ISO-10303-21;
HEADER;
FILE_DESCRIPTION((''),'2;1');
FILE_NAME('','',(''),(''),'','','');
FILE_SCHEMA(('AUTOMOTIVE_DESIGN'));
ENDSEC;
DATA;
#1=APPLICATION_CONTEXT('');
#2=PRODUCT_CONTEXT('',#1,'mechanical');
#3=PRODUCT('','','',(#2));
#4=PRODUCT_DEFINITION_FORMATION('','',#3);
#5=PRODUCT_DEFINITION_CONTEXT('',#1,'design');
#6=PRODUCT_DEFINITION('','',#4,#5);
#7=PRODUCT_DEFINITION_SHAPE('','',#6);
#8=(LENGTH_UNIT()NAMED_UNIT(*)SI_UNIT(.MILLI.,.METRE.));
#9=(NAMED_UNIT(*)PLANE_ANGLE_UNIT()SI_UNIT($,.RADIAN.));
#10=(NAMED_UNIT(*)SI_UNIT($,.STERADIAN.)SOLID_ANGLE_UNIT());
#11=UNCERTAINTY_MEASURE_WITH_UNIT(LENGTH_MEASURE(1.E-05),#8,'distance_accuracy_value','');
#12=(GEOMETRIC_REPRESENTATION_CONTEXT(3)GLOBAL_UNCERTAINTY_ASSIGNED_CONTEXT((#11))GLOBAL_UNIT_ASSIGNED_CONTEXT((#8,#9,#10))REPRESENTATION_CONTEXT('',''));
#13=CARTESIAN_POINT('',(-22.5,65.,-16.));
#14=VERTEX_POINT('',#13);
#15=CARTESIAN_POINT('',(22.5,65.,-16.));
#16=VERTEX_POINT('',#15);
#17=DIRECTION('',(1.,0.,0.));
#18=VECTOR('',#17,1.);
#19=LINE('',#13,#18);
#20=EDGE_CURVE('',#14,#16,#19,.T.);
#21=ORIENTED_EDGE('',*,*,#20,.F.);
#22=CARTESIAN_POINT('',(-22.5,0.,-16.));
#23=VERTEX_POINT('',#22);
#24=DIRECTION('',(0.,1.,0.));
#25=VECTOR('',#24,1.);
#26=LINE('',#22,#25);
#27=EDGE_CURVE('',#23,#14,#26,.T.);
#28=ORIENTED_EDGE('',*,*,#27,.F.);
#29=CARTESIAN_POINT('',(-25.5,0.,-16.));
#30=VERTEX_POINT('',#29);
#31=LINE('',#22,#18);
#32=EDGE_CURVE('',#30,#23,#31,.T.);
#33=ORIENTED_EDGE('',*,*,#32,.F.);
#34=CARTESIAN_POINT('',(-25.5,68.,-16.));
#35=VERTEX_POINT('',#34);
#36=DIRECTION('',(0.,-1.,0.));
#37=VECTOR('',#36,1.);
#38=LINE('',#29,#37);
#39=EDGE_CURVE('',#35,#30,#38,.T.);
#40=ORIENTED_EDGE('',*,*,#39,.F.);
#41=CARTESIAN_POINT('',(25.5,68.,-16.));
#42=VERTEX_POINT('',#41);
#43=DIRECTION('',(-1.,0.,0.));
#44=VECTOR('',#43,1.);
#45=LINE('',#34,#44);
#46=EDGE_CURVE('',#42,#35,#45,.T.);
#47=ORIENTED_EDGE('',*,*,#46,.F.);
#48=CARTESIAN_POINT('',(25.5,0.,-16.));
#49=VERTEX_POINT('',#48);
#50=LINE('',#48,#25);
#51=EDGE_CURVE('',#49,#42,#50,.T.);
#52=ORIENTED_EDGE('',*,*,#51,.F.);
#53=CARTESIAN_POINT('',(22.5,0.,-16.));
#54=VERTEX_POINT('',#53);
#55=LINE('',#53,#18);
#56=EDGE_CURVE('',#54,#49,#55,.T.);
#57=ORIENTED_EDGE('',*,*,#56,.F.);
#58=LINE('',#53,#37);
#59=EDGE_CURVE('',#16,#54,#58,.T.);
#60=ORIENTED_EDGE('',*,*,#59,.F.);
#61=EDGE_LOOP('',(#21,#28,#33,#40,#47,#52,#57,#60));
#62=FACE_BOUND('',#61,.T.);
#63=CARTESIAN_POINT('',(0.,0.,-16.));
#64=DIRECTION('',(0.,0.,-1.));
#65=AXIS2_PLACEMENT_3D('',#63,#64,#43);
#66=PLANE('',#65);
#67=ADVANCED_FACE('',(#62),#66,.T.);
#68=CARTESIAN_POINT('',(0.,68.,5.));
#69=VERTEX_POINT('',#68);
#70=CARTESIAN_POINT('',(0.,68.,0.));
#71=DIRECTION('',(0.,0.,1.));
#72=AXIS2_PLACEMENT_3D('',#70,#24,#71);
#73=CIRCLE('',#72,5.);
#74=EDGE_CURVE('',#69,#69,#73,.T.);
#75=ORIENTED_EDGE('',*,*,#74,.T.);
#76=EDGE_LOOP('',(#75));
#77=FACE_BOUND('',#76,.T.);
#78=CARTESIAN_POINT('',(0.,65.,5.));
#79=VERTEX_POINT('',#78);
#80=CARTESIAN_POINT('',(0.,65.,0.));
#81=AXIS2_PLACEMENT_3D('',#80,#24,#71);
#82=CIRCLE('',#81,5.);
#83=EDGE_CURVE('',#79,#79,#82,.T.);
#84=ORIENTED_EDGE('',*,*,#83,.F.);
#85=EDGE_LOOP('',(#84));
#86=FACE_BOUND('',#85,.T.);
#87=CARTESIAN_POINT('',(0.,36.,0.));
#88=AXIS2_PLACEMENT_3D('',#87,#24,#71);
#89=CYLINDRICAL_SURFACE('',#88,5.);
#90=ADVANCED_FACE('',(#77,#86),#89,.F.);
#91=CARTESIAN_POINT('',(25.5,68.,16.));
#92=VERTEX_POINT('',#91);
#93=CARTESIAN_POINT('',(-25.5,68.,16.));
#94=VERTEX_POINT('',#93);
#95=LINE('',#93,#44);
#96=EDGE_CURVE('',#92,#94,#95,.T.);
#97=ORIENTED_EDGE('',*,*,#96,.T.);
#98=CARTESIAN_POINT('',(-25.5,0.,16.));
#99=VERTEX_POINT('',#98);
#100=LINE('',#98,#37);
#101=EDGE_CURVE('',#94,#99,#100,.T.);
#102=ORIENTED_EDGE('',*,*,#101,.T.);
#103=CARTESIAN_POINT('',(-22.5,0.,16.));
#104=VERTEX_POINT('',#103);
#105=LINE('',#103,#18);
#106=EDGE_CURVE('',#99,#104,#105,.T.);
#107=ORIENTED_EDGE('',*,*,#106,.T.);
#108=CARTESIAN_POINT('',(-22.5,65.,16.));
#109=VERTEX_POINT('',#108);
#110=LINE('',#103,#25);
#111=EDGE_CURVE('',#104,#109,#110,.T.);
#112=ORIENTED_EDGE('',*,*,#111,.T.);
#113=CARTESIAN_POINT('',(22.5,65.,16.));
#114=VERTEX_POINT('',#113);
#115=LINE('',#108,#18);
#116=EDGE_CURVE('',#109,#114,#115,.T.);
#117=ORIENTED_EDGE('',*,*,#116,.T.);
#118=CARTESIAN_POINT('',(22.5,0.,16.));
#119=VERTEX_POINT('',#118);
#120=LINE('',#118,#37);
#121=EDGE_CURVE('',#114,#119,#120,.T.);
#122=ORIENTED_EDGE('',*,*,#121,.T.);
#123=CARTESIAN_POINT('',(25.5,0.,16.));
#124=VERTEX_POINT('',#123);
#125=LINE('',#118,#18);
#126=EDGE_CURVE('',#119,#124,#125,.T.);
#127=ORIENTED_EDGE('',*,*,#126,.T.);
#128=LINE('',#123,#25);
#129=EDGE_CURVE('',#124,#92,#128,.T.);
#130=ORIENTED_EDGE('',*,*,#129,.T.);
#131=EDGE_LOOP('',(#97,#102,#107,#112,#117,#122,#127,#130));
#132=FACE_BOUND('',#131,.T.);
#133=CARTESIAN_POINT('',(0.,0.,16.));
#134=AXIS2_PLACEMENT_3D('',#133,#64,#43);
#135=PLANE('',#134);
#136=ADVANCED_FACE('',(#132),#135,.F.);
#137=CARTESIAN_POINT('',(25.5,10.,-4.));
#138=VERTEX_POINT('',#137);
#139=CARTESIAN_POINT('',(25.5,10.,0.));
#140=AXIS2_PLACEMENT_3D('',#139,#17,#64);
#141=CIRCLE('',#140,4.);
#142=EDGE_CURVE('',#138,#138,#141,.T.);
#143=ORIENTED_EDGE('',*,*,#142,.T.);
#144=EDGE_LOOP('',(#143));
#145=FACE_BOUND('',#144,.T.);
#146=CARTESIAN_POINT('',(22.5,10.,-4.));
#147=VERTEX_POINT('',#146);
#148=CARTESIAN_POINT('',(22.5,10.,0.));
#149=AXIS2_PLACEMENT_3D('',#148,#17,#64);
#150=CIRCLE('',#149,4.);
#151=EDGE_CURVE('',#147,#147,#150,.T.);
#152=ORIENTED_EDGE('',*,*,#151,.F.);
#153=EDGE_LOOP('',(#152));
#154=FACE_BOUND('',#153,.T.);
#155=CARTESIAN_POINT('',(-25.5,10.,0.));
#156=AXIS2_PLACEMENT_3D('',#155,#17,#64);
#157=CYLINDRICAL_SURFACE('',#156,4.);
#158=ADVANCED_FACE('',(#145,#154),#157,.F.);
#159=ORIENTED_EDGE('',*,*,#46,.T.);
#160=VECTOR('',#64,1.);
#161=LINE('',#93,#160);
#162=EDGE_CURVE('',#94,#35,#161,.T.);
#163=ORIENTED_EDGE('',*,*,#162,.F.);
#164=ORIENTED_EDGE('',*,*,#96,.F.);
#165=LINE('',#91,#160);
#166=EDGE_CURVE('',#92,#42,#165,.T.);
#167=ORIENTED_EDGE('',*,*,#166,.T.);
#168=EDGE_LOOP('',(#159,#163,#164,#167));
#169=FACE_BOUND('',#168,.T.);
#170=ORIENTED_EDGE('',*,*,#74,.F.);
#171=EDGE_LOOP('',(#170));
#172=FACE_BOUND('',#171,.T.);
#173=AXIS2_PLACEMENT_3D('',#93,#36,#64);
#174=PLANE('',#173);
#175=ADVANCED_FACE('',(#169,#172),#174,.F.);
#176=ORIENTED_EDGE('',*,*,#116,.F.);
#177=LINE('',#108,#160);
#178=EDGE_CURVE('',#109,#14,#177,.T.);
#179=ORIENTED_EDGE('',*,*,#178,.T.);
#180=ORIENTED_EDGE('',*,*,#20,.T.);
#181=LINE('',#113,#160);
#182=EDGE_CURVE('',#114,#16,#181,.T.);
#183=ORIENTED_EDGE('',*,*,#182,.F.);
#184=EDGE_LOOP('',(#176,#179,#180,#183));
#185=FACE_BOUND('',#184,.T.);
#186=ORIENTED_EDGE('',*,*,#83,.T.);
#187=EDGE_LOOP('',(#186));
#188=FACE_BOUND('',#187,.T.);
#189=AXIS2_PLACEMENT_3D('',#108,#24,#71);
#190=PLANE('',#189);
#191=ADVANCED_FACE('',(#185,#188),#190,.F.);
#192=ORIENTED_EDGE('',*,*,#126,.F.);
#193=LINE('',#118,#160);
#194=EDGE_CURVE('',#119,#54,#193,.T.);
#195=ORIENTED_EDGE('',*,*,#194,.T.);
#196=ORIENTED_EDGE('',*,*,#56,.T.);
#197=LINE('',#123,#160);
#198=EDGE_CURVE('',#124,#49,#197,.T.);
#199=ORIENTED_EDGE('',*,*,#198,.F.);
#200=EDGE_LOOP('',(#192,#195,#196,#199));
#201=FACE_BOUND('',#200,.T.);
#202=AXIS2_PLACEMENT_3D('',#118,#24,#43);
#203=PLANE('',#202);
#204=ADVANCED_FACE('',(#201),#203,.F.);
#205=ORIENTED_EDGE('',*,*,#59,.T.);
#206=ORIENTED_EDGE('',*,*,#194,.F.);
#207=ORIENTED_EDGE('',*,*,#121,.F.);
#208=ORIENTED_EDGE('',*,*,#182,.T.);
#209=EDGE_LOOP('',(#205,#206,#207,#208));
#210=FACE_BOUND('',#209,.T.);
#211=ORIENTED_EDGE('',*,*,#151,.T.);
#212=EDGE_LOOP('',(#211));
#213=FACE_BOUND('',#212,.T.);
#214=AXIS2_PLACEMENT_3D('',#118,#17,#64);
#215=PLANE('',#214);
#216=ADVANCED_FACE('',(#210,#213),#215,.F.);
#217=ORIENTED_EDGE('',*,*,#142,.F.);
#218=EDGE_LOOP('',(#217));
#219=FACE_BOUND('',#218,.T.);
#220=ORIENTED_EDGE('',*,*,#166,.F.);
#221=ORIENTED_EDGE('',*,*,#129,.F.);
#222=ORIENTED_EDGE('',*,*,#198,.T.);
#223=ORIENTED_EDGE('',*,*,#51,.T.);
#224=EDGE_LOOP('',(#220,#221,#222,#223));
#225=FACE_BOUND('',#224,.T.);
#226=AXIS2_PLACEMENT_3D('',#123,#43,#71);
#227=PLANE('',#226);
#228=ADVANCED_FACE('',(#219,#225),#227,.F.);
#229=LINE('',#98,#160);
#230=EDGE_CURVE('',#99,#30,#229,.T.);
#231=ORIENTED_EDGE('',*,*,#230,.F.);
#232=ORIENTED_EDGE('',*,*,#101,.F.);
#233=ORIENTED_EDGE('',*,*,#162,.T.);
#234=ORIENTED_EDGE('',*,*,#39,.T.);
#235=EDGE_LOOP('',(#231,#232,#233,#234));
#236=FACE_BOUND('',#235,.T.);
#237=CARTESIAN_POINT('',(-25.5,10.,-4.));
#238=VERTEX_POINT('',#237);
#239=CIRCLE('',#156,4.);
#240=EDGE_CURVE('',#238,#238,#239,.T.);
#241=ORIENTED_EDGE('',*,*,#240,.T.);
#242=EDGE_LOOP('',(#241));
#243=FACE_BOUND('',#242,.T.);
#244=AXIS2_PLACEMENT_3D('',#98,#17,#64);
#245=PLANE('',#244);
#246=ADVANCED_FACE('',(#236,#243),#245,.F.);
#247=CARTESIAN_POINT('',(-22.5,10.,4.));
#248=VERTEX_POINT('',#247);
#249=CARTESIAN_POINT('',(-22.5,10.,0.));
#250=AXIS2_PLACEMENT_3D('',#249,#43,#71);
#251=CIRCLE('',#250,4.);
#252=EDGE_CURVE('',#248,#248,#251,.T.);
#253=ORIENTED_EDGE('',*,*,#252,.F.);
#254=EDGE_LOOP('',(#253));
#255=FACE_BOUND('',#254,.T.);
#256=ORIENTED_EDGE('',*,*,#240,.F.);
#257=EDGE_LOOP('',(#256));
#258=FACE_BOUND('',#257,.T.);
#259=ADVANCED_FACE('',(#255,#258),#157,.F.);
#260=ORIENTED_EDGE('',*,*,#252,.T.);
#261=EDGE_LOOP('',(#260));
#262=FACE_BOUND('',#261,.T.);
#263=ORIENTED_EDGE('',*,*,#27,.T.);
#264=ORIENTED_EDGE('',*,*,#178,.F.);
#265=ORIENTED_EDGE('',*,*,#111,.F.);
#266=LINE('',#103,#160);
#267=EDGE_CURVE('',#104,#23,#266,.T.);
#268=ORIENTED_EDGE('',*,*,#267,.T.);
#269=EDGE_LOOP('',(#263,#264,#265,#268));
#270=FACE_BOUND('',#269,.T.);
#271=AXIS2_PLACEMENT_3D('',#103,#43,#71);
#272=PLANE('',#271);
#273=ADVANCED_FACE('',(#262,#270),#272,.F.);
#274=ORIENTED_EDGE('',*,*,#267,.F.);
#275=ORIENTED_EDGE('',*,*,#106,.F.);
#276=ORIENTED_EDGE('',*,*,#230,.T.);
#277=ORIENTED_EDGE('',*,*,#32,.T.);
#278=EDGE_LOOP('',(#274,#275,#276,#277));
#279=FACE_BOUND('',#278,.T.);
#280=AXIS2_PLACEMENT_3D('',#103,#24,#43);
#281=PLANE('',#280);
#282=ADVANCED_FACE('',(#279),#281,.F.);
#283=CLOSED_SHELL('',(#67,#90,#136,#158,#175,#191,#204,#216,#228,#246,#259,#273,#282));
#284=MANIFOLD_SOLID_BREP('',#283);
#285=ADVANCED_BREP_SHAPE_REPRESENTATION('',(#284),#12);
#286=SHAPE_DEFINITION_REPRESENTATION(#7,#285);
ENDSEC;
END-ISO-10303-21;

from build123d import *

# Parameters (mm, degrees)
BOSS_EXTRUDE1_DEPTH = 16
SKETCH2_R           = 4
CUT_EXTRUDE1_DEPTH  = 87.492774265
SKETCH3_R           = 5
CUT_EXTRUDE2_DEPTH  = 32


with BuildPart() as part:
    # Sketch1 → Boss-Extrude1 (new, symmetric)
    with BuildSketch(Plane.XY):
        Polygon((-22.5, 0), (-22.5, 65), (22.5, 65), (22.5, 0), (25.5, 0), (25.5, 68), (-25.5, 68), (-25.5, 0), align=None)
    extrude(amount=BOSS_EXTRUDE1_DEPTH, both=True)

    # Sketch2 → Cut-Extrude1 (cut, through all)
    with BuildSketch(Plane(origin=(25.5, 0, 0), x_dir=(0, 0, -1), z_dir=(1, 0, 0))):
        with Locations((0, 10)):
            Circle(SKETCH2_R)
    extrude(amount=-CUT_EXTRUDE1_DEPTH, mode=Mode.SUBTRACT)

    # Sketch3 → Cut-Extrude2 (cut)
    with BuildSketch(Plane(origin=(0, 68, 0), x_dir=(1, 0, 0), z_dir=(0, 1, 0))):
        with Locations(Location((0, 0, 0), (0, 0, 270))):
            Circle(SKETCH3_R)
    extrude(amount=-CUT_EXTRUDE2_DEPTH, mode=Mode.SUBTRACT)


solid = part.part
